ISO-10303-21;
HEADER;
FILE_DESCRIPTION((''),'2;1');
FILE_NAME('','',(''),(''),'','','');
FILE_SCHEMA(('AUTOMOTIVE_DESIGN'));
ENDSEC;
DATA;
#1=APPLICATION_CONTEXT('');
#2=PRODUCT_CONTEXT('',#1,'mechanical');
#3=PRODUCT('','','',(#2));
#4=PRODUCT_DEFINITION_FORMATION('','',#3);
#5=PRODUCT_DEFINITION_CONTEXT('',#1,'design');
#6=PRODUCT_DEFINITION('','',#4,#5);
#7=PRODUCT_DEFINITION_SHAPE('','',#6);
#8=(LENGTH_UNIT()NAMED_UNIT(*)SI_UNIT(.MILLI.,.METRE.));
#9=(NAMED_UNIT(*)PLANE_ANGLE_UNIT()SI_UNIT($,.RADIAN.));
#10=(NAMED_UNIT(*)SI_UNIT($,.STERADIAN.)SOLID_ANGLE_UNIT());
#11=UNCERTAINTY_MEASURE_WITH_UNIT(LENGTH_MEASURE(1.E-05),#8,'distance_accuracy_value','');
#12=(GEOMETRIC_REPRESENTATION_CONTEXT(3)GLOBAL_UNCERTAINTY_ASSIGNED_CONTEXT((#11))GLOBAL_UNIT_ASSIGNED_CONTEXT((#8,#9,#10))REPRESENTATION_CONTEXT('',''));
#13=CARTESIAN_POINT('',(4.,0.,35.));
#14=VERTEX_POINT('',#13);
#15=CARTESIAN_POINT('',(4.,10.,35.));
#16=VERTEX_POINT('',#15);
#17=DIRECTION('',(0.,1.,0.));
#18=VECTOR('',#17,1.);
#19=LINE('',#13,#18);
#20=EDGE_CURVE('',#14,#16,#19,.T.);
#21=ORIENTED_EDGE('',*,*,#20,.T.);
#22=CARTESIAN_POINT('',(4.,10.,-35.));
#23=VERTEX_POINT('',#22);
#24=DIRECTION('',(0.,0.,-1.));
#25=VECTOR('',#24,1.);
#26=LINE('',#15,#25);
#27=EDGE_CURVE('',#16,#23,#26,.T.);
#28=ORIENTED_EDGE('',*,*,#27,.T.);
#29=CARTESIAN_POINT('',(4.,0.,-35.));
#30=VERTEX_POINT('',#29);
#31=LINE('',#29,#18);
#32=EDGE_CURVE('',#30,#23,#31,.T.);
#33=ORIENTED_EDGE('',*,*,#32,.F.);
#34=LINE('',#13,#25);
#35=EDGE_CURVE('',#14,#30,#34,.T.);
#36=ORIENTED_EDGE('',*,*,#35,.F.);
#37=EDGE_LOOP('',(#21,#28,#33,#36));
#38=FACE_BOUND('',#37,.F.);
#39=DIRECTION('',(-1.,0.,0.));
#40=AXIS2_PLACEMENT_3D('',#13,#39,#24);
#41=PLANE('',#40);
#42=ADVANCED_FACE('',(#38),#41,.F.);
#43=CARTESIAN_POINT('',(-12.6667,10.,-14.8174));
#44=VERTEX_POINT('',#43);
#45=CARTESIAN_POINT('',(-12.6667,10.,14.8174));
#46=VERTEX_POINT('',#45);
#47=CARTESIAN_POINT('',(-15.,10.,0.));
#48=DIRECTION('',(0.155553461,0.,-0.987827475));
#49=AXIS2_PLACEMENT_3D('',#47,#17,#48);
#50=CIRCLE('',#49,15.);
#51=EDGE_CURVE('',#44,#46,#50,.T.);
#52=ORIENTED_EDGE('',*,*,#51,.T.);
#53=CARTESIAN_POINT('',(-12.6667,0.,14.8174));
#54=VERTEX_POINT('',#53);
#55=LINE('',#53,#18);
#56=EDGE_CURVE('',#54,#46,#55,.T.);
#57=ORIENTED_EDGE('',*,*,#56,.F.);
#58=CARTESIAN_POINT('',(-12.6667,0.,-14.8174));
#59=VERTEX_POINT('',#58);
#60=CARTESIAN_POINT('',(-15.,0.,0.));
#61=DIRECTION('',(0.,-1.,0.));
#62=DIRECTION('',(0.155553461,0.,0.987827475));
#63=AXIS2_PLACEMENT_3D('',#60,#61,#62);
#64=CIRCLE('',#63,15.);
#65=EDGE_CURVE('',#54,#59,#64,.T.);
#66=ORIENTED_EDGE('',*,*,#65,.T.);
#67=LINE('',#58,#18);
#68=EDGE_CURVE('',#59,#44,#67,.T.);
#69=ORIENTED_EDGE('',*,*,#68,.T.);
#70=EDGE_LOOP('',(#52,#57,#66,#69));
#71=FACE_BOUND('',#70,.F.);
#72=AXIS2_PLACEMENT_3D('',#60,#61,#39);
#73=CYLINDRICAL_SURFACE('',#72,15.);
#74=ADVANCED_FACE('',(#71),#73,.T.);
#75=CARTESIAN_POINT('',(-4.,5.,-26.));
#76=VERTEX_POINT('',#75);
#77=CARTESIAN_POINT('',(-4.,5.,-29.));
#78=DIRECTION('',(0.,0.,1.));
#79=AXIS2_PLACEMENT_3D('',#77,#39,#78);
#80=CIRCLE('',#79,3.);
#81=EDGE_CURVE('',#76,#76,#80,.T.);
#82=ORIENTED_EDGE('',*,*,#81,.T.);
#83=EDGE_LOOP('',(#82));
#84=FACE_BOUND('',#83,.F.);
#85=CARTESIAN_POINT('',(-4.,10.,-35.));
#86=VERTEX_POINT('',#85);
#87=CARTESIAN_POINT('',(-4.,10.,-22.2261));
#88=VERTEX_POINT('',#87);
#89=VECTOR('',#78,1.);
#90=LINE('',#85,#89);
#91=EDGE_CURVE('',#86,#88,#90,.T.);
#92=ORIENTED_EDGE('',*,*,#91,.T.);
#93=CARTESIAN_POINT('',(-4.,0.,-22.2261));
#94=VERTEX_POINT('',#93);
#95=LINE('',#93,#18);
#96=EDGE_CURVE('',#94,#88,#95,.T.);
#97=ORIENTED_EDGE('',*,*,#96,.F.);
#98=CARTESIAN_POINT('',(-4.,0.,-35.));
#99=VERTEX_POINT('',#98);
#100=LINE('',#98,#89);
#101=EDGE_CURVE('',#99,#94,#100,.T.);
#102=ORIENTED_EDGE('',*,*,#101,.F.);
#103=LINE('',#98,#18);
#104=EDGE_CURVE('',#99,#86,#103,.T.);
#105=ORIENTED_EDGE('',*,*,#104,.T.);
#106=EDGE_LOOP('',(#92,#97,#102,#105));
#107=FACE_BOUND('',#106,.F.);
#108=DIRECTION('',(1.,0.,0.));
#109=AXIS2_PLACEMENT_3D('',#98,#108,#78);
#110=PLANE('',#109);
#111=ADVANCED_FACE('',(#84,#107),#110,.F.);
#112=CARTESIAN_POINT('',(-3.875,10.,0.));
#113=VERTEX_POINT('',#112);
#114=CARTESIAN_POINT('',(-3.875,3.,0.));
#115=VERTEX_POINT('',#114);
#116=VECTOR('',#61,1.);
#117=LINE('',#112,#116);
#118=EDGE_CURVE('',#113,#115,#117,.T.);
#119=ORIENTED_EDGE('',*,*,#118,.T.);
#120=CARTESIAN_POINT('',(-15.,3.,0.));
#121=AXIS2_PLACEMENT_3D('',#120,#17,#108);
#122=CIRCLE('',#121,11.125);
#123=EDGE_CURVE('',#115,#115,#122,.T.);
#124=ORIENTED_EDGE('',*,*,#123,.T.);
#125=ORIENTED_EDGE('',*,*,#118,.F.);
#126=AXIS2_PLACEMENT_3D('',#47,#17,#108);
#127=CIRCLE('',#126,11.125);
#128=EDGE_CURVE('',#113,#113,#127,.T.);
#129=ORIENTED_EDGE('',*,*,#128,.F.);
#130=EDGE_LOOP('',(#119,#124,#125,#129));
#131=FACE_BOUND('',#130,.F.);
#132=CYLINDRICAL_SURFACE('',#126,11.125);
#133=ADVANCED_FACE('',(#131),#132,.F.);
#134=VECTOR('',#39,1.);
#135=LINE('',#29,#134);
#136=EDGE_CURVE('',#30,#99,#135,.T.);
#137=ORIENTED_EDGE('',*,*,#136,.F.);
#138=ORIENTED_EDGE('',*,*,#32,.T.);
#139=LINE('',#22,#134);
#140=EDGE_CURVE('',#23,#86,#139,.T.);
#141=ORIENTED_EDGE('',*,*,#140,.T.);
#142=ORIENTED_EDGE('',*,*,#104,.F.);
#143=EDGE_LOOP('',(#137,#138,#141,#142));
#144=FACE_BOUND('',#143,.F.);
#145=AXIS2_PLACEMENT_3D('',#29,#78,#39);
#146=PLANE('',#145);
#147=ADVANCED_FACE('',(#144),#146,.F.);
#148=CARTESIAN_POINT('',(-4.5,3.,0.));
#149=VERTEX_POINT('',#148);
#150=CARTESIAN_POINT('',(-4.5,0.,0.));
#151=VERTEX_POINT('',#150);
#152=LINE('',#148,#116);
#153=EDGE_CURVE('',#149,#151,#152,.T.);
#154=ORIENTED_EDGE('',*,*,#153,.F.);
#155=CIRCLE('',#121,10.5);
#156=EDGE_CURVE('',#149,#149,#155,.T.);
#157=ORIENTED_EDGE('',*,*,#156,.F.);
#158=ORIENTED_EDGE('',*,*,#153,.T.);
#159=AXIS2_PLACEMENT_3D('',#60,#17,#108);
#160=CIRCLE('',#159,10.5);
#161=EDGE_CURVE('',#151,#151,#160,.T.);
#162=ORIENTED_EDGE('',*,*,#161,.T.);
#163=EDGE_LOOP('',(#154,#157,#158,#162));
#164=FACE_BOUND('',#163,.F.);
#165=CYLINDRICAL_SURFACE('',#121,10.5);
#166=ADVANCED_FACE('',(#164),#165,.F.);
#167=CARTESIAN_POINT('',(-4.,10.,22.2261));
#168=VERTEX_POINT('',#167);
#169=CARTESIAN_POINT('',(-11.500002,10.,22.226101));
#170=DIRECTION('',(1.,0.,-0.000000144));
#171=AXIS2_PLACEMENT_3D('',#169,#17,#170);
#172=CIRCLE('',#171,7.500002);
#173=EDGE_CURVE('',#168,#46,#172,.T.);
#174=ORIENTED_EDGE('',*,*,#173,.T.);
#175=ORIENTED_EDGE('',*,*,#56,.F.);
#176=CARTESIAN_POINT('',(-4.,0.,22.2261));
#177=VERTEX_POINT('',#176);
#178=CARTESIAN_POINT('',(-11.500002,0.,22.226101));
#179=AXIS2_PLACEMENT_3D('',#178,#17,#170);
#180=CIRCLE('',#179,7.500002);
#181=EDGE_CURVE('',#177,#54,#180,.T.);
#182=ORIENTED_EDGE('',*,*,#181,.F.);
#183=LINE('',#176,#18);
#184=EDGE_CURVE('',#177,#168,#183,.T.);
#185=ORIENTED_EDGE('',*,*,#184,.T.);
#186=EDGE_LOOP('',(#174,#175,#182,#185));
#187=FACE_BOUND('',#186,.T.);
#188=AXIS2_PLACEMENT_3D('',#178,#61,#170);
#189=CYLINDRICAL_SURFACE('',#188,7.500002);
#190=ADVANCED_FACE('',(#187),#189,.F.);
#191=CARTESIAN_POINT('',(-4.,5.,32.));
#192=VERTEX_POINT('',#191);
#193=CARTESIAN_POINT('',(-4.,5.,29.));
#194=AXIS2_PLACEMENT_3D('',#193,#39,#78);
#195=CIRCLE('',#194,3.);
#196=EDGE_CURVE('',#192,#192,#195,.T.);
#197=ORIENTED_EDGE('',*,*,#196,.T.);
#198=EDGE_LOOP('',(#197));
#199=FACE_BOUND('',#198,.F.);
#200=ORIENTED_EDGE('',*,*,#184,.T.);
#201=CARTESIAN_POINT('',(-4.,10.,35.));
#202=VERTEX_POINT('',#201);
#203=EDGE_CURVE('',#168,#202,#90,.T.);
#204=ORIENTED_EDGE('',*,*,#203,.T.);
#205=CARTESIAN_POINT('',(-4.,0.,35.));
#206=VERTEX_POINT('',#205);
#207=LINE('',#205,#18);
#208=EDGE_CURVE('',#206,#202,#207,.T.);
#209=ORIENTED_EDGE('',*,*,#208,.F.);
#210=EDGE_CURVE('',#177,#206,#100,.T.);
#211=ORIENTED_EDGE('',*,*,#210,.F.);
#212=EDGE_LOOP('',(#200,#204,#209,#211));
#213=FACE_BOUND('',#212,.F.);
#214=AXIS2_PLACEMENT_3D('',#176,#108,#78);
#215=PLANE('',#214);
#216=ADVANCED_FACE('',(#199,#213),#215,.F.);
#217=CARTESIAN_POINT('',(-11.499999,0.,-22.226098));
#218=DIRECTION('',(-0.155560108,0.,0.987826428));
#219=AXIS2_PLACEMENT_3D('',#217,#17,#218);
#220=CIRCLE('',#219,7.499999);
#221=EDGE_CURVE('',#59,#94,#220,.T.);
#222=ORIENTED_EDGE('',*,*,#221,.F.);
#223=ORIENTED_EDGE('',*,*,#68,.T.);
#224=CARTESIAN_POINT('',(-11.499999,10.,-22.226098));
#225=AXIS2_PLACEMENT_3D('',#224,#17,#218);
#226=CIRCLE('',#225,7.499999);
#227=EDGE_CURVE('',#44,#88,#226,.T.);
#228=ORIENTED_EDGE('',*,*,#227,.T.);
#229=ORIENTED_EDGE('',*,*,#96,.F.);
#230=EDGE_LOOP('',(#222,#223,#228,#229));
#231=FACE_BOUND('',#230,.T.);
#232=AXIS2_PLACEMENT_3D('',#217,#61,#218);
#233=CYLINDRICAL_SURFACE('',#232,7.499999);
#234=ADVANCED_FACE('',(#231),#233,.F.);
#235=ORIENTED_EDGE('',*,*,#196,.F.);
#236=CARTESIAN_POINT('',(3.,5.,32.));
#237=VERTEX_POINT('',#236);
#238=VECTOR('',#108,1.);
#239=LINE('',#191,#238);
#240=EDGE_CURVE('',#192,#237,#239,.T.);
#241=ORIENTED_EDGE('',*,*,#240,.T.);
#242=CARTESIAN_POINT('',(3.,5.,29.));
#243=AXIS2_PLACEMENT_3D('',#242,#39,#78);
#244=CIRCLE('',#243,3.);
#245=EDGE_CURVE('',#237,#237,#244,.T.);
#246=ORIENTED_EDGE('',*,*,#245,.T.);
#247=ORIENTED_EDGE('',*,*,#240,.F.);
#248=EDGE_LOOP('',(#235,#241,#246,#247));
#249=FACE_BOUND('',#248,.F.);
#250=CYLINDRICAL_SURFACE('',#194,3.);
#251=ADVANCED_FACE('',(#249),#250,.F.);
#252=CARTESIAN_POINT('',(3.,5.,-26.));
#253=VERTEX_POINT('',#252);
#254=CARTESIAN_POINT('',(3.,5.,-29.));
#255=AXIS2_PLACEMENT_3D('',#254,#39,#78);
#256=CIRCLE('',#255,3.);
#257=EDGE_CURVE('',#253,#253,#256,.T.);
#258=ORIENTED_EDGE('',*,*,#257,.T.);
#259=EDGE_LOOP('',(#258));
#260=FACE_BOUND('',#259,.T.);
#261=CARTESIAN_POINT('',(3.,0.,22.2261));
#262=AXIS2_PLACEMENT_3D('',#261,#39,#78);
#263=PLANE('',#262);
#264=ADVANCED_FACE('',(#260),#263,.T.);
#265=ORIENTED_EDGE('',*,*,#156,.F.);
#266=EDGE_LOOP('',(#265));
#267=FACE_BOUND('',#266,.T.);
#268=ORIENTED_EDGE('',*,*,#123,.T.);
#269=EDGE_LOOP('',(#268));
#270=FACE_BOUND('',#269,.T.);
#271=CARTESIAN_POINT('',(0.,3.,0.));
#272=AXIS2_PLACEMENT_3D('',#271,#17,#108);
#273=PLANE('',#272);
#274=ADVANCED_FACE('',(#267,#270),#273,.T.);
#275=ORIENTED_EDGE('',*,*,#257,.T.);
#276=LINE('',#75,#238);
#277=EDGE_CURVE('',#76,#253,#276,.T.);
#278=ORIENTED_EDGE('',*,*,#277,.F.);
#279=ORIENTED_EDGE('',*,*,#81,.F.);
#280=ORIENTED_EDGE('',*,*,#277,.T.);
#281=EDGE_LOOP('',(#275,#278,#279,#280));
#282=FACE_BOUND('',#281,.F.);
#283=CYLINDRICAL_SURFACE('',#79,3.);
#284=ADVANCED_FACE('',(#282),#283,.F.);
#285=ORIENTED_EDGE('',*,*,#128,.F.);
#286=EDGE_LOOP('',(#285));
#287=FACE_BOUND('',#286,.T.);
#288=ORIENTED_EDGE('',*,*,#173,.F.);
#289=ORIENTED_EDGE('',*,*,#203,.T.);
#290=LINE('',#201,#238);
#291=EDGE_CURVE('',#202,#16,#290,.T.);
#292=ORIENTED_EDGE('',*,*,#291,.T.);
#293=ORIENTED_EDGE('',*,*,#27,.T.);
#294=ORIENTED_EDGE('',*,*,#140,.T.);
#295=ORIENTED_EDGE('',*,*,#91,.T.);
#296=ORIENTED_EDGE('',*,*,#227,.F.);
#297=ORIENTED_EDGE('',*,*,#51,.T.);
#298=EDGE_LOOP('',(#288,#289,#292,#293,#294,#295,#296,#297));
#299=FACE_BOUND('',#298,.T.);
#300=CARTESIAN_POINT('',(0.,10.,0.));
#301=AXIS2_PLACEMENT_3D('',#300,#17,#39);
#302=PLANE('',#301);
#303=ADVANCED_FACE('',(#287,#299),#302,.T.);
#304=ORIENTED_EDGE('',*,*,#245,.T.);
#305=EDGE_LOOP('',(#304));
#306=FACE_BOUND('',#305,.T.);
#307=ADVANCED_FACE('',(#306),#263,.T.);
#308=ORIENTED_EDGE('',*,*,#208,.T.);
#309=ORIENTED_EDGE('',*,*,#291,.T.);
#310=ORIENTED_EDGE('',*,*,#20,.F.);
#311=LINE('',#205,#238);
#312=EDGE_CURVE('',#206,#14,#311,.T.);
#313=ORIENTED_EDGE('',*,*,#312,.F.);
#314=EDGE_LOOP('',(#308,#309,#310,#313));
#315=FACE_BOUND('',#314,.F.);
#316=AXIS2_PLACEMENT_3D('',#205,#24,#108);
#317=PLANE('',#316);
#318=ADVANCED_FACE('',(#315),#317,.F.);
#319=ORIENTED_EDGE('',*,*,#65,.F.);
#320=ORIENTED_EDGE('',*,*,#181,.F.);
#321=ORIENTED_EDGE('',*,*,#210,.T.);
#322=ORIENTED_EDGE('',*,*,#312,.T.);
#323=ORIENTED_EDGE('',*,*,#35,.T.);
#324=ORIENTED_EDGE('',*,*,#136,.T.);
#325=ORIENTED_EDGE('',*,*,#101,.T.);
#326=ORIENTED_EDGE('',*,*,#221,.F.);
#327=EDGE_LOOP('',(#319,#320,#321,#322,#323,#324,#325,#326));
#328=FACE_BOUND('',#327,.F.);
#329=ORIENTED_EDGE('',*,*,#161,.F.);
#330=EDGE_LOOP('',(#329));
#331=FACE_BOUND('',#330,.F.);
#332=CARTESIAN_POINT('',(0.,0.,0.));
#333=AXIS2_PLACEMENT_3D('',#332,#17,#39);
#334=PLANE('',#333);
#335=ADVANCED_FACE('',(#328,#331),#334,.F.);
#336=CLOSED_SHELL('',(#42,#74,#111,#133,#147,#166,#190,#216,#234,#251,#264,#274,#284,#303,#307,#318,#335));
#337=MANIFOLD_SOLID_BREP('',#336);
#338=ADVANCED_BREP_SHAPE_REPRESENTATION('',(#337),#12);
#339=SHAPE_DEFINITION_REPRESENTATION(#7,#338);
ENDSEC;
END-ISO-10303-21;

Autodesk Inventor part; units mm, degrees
ref_plane "YZ Plane" through (0, 0, 0) normal (1, 0, 0) x (0, 1, 0)
ref_plane "XZ Plane" through (0, 0, 0) normal (0, 1, 0) x (-1, 0, 0)
ref_plane "XY Plane" through (0, 0, 0) normal (0, 0, 1) x (1, 0, 0)
sketch "Sketch1" plane through (0, 0, 0) normal (0, 1, 0) x (-1, 0, 0)
  line L0 (4, 35) -> (-4, 35)
  line L1 (-4, 35) -> (-4, -35)
  line L2 (-4, -35) -> (4, -35)
  line L3 (4, -35) -> (4, 35)
  line L4 (4, 35) -> (-4, -35) construction
  line L5 (-4, 35) -> (4, -35) construction
  circle A0 centre (15, 0) radius 15
  arc A1 (4, 22.2261) -> (12.6667, 14.8174) centre (11.5, 22.2261) ccw
  arc A2 (12.6667, -14.8174) -> (4, -22.2261) centre (11.5, -22.2261) ccw
  point P0 (0, 0)
  dimension "d0" = 8
  dimension "d1" = 70
  dimension "d2" = 30
  dimension "d3" = 15
  dimension "d6" = 15
  dimension "d7" = 7.5
  dimension "d9" = 0
  dimension "d10" = 15
extrude "Extrusion1" add sketch "Sketch1" along normal blind 10
sketch "Sketch2" plane through (0, 10, 0) normal (0, 1, 0) x (1, 0, 0)
  circle A0 centre (-15, 0) radius 11.125
  arc A1 (-12.6667, 14.8174) -> (-12.6667, -14.8174) centre (-15, 0) ccw projected
  point P0 (0, 0)
  dimension "d13" = 22.25
extrude "Extrusion2" cut sketch "Sketch2" against normal blind 7
sketch "Sketch3" plane through (-15, 3, 0) normal (0, 1, 0) x (1, 0, 0)
  circle A0 centre (0, 0) radius 10.5
  point P0 (15, 0)
  dimension "d16" = 21
extrude "Extrusion3" cut sketch "Sketch3" against normal blind 7
sketch "Sketch4" plane through (-4, 0, 22.2261) normal (-1, 0, 0) x (0, 0, 1)
  circle A0 centre (6.7739, 5) radius 3
  line L0 (0, 0) -> (12.7739, 0) projected
  line L1 (12.7739, 0) -> (12.7739, 10) projected
  circle A1 centre (-51.2261, 5) radius 3
  line L2 (-57.2261, 10) -> (-44.4522, 10) projected
  line L3 (-57.2261, 0) -> (-57.2261, 10) projected
  point P0 (-22.2261, 0)
  point P1 (6.3869, 0)
  dimension "d19" = 6
  dimension "d20" = 5
  dimension "d21" = 6
  dimension "d22" = 6
  dimension "d23" = 5
  dimension "d24" = 6
extrude "Extrusion4" cut sketch "Sketch4" against normal blind 7
properties part number "Bearing Holder"
